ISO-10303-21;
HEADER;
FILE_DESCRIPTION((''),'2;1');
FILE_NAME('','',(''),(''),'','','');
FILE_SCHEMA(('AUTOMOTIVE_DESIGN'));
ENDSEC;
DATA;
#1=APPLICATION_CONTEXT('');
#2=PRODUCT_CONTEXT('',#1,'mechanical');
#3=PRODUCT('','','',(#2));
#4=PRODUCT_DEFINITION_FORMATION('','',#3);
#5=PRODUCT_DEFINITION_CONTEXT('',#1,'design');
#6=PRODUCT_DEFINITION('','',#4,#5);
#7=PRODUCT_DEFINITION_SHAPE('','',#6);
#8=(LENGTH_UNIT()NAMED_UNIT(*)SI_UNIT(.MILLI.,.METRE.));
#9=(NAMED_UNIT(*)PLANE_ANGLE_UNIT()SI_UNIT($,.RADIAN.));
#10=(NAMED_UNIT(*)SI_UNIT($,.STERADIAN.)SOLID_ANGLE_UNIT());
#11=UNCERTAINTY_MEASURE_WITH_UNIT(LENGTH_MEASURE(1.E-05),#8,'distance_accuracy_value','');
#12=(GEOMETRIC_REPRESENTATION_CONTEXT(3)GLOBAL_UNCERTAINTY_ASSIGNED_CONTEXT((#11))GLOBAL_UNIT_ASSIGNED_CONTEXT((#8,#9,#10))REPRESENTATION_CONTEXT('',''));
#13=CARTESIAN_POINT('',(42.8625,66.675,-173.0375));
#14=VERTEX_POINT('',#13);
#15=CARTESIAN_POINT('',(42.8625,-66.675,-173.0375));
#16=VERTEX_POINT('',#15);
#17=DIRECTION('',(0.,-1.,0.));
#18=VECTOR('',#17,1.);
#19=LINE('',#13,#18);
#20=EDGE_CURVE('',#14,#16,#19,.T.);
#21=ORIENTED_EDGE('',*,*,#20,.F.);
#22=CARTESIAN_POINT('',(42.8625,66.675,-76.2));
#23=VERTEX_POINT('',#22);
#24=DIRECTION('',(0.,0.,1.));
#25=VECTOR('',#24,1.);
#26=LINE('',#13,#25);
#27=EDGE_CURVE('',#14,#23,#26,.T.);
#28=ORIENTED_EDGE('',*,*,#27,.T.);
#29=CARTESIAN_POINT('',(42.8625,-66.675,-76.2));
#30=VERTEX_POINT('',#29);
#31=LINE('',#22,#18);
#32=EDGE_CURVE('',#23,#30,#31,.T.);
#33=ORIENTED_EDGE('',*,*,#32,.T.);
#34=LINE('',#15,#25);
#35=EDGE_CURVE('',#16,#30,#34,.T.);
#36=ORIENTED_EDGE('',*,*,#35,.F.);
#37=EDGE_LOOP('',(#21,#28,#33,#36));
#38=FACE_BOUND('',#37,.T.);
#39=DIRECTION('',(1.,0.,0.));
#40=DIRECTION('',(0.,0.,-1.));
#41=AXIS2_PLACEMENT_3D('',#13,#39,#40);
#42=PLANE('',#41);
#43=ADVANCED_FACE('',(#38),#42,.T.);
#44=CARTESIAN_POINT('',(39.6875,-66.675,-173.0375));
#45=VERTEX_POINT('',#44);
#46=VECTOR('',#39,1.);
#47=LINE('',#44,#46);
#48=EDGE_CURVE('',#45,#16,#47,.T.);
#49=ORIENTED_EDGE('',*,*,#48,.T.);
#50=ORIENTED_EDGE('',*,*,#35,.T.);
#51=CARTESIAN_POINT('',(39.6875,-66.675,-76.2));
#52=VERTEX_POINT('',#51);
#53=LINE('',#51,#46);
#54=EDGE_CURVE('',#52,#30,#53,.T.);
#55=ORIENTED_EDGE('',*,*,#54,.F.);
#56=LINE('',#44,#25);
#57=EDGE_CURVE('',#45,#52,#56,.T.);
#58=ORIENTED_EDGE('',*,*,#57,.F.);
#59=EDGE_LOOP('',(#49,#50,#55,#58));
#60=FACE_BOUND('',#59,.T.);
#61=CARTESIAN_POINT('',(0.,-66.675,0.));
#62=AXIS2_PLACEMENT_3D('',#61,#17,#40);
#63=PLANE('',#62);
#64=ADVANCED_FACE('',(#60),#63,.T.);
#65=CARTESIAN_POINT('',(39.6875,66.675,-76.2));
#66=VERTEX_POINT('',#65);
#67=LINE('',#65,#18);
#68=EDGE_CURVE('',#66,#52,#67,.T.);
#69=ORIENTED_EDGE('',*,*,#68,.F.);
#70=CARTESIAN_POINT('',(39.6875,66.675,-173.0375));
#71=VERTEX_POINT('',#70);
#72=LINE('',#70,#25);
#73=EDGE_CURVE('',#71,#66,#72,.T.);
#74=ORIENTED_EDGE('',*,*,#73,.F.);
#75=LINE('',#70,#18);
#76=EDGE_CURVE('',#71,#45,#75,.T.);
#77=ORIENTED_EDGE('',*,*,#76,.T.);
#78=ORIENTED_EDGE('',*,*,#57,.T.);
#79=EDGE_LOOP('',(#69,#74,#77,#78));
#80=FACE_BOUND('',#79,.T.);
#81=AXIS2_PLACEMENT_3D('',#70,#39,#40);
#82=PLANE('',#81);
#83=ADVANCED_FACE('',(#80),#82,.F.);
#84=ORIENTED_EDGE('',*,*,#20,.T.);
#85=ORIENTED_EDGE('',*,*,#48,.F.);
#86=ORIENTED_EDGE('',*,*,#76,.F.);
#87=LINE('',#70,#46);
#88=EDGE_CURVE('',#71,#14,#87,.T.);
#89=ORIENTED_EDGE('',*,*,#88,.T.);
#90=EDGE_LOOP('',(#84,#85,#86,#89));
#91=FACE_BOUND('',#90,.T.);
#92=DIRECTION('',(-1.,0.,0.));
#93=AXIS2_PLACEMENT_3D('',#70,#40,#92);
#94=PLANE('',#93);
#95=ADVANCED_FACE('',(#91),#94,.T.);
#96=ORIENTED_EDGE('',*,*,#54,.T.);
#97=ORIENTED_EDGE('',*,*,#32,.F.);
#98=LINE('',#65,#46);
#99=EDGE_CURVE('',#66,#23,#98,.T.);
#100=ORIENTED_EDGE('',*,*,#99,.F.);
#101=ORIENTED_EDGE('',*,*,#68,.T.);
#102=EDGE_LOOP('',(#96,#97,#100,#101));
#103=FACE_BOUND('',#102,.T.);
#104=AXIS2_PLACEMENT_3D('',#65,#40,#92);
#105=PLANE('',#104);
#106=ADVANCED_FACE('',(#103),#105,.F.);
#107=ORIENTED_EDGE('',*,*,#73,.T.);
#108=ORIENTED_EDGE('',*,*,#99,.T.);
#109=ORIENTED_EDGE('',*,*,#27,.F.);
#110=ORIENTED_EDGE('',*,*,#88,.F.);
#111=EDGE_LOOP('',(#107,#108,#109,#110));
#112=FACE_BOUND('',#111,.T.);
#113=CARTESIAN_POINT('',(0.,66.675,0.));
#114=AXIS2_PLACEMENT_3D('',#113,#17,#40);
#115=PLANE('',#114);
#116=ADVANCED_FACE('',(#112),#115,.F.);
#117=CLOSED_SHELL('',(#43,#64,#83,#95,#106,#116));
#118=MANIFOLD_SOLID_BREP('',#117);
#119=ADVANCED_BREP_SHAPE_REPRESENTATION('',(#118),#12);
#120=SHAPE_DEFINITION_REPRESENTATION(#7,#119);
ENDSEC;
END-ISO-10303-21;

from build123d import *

# Parameters (mm, degrees)
SKETCH7_W           = 3.175
SKETCH7_H           = 96.8375
BOSS_EXTRUDE1_DEPTH = 66.675


with BuildPart() as part:
    # Sketch7 → Boss-Extrude1 (new body, symmetric)
    with BuildSketch(Plane(origin=(0, 0, 0), x_dir=(1, 0, 0), z_dir=(0, 1, 0))):
        with Locations((41.275, 124.61875)):
            Rectangle(SKETCH7_W, SKETCH7_H)
    extrude(amount=BOSS_EXTRUDE1_DEPTH, both=True)


solid = part.part
